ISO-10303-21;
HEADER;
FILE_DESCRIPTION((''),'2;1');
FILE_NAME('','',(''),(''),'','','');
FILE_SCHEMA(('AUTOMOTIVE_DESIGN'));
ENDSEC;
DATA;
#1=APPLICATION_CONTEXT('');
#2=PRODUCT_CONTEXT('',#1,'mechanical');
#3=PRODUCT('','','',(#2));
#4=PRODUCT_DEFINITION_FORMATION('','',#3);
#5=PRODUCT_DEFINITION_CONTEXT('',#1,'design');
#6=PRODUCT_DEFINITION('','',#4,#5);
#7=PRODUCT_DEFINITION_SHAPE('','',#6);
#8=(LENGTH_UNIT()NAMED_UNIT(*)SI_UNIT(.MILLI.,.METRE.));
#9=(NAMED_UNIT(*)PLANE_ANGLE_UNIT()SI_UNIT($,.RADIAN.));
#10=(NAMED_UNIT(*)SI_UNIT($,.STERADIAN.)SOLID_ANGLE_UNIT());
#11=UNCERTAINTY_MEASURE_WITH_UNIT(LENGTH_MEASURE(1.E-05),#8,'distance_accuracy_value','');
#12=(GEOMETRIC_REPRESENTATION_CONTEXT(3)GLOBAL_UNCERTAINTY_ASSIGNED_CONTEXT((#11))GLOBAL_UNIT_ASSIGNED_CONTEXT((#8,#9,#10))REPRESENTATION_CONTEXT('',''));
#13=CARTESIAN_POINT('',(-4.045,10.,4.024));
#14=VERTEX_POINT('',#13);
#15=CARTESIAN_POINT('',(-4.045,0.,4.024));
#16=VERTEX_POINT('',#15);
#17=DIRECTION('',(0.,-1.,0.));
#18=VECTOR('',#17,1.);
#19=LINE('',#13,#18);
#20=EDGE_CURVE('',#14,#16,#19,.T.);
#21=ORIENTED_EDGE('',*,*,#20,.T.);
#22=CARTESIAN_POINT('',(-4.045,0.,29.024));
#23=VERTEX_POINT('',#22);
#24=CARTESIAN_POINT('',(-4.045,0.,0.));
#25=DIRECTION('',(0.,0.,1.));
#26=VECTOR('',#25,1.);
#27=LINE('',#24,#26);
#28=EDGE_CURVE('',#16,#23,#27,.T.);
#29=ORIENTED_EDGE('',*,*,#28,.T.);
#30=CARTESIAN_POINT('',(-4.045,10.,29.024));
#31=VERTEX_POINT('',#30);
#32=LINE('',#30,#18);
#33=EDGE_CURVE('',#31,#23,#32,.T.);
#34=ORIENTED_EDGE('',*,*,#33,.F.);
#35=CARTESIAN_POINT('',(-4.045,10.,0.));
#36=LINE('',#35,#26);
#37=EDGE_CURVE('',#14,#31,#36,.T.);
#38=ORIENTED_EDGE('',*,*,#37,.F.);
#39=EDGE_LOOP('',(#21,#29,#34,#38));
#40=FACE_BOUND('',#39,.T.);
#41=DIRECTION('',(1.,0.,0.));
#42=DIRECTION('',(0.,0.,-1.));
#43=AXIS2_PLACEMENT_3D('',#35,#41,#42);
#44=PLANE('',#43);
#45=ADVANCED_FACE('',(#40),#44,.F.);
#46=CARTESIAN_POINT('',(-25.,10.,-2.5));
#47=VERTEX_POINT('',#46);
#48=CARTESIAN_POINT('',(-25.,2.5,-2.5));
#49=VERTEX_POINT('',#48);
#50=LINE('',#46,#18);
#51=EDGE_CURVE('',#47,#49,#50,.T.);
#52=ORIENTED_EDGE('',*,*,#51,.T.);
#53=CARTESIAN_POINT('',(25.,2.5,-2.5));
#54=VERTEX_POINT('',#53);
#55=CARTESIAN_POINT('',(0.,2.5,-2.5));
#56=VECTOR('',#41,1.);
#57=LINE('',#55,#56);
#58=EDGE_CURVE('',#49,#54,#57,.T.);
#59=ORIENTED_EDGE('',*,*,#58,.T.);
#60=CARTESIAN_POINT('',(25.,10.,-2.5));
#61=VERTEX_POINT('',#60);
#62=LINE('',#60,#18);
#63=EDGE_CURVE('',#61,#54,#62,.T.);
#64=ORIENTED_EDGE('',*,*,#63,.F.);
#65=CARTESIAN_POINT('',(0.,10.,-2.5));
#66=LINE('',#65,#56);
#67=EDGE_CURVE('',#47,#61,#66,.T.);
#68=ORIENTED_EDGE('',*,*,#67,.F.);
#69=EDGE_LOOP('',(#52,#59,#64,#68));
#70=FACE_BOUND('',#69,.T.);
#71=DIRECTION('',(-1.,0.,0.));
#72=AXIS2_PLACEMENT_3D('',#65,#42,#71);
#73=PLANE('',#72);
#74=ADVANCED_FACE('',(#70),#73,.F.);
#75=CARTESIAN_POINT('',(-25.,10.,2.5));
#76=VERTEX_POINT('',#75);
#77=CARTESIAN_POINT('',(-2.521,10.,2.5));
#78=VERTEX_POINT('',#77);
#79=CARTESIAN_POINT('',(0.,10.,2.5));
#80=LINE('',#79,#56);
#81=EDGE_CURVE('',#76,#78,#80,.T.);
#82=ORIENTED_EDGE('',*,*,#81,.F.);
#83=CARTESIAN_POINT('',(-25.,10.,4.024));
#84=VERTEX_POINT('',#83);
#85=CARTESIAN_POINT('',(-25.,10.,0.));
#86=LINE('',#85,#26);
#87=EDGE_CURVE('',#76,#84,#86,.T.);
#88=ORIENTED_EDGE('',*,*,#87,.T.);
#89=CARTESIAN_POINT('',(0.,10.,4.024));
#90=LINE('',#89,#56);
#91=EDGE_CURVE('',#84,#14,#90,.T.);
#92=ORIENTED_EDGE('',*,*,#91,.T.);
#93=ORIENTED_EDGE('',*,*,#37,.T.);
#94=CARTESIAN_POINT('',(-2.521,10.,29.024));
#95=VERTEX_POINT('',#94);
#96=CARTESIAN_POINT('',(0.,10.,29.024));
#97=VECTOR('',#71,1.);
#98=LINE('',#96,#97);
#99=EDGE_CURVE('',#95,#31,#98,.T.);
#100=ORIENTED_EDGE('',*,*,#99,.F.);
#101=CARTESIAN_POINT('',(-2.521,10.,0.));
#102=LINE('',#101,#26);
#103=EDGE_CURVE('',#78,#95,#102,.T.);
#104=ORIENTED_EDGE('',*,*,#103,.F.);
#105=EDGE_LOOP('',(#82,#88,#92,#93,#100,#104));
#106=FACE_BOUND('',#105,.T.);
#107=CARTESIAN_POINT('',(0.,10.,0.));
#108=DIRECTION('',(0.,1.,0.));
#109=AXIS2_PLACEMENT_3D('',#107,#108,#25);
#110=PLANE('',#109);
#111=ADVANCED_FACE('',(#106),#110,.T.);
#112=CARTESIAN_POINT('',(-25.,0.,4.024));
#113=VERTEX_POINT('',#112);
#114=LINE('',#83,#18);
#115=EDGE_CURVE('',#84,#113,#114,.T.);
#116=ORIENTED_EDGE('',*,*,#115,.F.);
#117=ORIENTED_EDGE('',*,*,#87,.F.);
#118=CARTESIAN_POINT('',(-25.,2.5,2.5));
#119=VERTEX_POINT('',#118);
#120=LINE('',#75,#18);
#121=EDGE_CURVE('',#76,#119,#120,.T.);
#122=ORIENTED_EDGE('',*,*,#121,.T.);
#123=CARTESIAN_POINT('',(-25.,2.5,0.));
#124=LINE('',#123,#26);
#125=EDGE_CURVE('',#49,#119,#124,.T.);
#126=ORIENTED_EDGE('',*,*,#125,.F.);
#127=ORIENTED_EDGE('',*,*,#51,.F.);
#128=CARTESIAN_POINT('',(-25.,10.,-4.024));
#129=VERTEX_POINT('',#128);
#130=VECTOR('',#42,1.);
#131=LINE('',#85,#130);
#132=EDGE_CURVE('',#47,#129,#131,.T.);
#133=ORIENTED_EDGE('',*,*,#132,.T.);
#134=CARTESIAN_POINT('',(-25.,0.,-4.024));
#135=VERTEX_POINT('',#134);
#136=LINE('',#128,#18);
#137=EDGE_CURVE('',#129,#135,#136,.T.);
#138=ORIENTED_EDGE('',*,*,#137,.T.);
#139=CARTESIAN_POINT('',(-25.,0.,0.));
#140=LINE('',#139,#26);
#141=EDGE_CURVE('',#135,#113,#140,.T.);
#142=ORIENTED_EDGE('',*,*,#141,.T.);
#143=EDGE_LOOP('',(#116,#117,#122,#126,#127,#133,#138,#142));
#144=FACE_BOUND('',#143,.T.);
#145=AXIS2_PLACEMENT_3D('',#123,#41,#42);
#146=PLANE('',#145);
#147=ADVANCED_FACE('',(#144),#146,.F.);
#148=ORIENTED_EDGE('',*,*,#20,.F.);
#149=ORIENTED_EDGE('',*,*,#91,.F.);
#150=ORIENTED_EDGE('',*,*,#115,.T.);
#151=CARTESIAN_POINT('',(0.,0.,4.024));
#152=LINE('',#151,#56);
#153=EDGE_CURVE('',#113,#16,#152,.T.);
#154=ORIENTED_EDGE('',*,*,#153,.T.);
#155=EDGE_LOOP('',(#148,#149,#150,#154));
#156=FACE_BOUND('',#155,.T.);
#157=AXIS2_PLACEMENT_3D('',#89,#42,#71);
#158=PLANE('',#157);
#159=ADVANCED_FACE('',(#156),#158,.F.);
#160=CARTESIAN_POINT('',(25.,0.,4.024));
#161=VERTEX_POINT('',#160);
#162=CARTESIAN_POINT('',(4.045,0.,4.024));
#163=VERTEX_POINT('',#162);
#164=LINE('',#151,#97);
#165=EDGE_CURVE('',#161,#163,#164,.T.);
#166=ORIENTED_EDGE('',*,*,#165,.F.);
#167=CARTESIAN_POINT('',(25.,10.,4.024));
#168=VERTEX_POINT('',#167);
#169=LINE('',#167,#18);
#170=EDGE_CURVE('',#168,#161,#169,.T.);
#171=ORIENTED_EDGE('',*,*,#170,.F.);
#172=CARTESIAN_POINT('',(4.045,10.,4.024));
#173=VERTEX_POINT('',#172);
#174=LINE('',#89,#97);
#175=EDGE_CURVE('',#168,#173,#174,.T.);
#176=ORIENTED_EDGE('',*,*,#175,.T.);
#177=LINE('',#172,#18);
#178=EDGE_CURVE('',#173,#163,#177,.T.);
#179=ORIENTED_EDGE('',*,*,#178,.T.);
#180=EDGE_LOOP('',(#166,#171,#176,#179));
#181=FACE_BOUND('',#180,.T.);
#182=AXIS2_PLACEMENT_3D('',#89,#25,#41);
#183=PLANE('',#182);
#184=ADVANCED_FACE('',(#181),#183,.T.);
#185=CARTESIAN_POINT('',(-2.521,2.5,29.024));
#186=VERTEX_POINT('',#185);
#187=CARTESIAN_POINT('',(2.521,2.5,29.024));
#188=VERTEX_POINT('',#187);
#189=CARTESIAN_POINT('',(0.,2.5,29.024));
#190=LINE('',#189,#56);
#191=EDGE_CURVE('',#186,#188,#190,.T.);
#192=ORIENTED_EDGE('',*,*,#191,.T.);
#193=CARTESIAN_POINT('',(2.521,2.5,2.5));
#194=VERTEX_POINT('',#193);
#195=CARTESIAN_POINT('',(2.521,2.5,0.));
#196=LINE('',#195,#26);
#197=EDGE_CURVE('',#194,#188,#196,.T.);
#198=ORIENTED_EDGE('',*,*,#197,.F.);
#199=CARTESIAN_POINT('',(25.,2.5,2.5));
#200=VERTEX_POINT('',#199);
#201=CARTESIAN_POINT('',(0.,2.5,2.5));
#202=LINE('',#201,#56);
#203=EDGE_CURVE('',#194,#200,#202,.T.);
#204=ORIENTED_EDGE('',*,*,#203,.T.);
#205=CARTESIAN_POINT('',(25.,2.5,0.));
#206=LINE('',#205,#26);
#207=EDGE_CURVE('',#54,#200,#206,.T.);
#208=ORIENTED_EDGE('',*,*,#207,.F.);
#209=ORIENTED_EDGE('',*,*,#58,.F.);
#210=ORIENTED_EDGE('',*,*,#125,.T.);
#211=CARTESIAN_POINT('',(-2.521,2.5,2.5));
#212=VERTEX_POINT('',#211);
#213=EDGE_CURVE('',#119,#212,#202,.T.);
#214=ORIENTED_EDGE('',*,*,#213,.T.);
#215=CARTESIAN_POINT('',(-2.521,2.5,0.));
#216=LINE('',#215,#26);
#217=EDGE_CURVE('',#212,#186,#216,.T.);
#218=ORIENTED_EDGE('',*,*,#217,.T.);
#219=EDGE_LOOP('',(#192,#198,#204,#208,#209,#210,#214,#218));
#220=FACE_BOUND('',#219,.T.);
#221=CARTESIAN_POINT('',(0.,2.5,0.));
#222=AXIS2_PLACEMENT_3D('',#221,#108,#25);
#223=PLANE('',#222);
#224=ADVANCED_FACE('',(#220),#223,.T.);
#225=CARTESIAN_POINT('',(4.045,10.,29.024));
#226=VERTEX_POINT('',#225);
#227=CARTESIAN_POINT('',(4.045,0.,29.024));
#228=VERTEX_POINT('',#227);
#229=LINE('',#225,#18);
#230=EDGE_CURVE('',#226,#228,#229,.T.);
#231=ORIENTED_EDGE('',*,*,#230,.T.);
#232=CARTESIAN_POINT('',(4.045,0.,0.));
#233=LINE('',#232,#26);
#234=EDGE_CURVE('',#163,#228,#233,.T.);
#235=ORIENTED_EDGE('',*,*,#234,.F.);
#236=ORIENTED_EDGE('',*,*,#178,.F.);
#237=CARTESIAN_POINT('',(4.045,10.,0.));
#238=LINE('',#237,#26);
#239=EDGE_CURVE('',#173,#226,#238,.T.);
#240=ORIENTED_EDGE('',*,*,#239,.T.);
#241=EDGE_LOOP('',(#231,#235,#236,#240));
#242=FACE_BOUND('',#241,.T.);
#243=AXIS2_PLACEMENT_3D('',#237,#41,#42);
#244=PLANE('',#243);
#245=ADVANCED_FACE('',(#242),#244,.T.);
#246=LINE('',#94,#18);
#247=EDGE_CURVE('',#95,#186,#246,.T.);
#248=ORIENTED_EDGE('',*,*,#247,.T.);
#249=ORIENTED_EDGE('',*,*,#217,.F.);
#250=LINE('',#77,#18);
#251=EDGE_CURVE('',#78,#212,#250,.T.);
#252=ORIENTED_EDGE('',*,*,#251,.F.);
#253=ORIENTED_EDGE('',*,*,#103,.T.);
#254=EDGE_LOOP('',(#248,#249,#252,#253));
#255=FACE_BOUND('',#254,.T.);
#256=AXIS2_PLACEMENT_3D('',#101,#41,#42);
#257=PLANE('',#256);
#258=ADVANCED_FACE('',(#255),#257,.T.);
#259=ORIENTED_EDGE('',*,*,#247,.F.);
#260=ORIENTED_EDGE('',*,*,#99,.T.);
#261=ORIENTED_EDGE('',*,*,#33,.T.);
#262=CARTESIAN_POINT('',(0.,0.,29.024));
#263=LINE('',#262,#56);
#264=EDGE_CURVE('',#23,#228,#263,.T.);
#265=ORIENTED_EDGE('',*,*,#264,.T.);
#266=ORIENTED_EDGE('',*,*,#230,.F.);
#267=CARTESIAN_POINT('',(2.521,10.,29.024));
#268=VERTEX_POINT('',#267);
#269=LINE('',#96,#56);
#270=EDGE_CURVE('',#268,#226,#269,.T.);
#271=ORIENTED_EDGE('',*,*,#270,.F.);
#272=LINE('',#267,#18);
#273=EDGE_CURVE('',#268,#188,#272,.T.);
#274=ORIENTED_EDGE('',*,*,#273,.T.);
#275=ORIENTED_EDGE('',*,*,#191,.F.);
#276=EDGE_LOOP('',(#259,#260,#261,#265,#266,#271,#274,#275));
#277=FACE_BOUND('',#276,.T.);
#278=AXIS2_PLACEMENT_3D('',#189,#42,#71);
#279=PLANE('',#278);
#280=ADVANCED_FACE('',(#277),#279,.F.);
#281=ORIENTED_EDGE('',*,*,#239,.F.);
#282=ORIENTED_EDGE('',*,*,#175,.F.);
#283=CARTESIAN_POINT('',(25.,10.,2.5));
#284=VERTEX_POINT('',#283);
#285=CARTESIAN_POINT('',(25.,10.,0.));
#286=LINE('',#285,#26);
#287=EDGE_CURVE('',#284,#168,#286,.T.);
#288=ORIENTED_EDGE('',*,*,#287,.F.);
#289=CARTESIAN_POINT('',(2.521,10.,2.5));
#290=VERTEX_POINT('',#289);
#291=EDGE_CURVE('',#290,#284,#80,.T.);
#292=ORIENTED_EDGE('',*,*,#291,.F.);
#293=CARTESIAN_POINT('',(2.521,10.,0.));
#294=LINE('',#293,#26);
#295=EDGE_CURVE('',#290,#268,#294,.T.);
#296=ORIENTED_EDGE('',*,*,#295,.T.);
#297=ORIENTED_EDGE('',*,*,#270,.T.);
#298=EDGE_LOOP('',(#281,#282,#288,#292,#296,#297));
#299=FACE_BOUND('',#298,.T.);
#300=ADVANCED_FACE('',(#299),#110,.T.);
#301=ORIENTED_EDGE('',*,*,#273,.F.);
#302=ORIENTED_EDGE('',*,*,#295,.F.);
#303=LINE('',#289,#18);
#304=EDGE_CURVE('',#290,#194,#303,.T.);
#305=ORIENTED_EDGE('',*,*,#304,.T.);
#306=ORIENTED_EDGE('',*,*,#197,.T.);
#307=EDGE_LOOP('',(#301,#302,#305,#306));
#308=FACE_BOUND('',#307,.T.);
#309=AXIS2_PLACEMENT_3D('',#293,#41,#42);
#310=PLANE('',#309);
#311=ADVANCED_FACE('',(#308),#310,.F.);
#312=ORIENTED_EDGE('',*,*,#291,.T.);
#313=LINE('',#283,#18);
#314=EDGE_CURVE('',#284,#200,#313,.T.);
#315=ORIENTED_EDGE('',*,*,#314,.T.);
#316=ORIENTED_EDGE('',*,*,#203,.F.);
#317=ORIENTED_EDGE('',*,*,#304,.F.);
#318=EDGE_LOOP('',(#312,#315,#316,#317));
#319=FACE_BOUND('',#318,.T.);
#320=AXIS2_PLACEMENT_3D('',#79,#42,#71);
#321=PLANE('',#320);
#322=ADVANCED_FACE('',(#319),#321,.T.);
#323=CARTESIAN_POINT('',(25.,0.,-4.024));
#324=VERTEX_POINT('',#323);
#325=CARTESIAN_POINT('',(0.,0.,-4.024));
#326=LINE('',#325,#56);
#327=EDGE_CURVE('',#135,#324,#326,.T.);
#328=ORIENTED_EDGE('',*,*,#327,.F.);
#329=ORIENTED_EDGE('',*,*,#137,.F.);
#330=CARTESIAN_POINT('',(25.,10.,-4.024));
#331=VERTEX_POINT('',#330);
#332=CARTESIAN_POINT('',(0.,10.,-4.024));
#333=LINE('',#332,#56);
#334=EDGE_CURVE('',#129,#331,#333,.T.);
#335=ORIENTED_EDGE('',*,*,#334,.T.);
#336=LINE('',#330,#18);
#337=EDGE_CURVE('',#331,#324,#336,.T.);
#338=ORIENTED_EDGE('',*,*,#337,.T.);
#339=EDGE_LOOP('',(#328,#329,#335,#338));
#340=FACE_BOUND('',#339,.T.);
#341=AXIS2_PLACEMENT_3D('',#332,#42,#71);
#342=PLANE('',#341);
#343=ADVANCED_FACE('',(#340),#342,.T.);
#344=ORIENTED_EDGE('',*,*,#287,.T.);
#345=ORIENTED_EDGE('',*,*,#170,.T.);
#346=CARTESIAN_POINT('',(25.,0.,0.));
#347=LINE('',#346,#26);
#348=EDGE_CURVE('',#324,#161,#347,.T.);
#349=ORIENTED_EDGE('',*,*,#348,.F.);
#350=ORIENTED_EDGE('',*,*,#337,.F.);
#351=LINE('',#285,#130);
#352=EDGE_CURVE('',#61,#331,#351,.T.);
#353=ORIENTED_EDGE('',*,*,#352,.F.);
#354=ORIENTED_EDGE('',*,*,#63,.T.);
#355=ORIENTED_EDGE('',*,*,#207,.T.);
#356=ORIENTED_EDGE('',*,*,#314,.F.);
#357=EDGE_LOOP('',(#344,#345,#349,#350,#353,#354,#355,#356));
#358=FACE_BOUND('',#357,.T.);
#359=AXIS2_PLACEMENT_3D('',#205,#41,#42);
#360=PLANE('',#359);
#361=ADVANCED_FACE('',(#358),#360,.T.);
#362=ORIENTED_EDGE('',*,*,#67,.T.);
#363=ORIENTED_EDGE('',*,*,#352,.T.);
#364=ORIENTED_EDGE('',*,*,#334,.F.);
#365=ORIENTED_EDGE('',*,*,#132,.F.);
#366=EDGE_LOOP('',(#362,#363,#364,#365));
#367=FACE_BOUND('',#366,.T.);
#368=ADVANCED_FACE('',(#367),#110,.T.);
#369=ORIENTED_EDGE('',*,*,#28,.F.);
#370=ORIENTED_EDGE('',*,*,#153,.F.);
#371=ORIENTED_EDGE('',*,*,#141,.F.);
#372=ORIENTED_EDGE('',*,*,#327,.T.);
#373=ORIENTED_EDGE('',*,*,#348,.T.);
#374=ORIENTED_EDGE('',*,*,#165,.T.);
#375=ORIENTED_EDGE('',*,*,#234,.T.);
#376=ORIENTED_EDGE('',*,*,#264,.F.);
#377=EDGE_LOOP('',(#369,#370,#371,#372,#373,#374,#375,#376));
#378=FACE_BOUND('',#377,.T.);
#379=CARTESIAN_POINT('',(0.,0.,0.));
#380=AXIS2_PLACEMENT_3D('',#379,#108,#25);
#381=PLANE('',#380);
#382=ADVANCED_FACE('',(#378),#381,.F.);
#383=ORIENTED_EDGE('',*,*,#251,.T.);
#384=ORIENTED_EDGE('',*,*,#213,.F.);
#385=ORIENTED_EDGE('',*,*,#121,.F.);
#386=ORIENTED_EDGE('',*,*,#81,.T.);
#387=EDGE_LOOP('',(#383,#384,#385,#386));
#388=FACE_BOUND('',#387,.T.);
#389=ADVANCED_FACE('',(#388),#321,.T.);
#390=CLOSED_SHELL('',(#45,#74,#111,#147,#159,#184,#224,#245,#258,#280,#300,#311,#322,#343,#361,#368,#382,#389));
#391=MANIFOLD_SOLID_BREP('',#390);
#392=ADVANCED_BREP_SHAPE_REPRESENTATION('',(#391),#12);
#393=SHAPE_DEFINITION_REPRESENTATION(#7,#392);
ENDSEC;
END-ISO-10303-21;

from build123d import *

# Parameters (mm, degrees)
BOSS_EXTRUDE1_DEPTH = 2.5
BOSS_EXTRUDE2_DEPTH = 2.5
SKETCH1_6_W         = 50
SKETCH1_6_H         = 1.524
BOSS_EXTRUDE3_DEPTH = 10


with BuildPart() as part:
    # Sketch1 → Boss-Extrude1 (new body)
    with BuildSketch(Plane(origin=(0, 0, 0), x_dir=(1, 0, 0), z_dir=(0, 1, 0))):
        Polygon((2.521, -2.499999953), (-2.521, -2.499999953), (-2.521, -4.023999953), (-2.521, -29.023999953), (2.521, -29.023999953), (2.521, -4.023999953), align=None)
    extrude(amount=BOSS_EXTRUDE1_DEPTH)

    # Sketch1<5> → Boss-Extrude2 (add)
    with BuildSketch(Plane(origin=(0, 0, 0), x_dir=(1, 0, 0), z_dir=(0, 1, 0))):
        Polygon((25, 2.499999953), (-25, 2.499999953), (-25, -2.499999953), (-2.521, -2.499999953), (2.521, -2.499999953), (25, -2.499999953), align=None)
    extrude(amount=BOSS_EXTRUDE2_DEPTH)

    # Sketch1<6> → Boss-Extrude3 (add)
    with BuildSketch(Plane(origin=(0, 0, 0), x_dir=(1, 0, 0), z_dir=(0, 1, 0))):
        with Locations((0, 3.261999953)):
            Rectangle(SKETCH1_6_W, SKETCH1_6_H)
        Polygon((-2.521, -2.499999953), (-25, -2.499999953), (-25, -4.023999953), (-4.045, -4.023999953), (-4.045, -29.023999953), (-2.521, -29.023999953), align=None)
        Polygon((25, -4.023999953), (25, -2.499999953), (2.521, -2.499999953), (2.521, -29.023999953), (4.045, -29.023999953), (4.045, -4.023999953), align=None)
    extrude(amount=BOSS_EXTRUDE3_DEPTH)


solid = part.part
